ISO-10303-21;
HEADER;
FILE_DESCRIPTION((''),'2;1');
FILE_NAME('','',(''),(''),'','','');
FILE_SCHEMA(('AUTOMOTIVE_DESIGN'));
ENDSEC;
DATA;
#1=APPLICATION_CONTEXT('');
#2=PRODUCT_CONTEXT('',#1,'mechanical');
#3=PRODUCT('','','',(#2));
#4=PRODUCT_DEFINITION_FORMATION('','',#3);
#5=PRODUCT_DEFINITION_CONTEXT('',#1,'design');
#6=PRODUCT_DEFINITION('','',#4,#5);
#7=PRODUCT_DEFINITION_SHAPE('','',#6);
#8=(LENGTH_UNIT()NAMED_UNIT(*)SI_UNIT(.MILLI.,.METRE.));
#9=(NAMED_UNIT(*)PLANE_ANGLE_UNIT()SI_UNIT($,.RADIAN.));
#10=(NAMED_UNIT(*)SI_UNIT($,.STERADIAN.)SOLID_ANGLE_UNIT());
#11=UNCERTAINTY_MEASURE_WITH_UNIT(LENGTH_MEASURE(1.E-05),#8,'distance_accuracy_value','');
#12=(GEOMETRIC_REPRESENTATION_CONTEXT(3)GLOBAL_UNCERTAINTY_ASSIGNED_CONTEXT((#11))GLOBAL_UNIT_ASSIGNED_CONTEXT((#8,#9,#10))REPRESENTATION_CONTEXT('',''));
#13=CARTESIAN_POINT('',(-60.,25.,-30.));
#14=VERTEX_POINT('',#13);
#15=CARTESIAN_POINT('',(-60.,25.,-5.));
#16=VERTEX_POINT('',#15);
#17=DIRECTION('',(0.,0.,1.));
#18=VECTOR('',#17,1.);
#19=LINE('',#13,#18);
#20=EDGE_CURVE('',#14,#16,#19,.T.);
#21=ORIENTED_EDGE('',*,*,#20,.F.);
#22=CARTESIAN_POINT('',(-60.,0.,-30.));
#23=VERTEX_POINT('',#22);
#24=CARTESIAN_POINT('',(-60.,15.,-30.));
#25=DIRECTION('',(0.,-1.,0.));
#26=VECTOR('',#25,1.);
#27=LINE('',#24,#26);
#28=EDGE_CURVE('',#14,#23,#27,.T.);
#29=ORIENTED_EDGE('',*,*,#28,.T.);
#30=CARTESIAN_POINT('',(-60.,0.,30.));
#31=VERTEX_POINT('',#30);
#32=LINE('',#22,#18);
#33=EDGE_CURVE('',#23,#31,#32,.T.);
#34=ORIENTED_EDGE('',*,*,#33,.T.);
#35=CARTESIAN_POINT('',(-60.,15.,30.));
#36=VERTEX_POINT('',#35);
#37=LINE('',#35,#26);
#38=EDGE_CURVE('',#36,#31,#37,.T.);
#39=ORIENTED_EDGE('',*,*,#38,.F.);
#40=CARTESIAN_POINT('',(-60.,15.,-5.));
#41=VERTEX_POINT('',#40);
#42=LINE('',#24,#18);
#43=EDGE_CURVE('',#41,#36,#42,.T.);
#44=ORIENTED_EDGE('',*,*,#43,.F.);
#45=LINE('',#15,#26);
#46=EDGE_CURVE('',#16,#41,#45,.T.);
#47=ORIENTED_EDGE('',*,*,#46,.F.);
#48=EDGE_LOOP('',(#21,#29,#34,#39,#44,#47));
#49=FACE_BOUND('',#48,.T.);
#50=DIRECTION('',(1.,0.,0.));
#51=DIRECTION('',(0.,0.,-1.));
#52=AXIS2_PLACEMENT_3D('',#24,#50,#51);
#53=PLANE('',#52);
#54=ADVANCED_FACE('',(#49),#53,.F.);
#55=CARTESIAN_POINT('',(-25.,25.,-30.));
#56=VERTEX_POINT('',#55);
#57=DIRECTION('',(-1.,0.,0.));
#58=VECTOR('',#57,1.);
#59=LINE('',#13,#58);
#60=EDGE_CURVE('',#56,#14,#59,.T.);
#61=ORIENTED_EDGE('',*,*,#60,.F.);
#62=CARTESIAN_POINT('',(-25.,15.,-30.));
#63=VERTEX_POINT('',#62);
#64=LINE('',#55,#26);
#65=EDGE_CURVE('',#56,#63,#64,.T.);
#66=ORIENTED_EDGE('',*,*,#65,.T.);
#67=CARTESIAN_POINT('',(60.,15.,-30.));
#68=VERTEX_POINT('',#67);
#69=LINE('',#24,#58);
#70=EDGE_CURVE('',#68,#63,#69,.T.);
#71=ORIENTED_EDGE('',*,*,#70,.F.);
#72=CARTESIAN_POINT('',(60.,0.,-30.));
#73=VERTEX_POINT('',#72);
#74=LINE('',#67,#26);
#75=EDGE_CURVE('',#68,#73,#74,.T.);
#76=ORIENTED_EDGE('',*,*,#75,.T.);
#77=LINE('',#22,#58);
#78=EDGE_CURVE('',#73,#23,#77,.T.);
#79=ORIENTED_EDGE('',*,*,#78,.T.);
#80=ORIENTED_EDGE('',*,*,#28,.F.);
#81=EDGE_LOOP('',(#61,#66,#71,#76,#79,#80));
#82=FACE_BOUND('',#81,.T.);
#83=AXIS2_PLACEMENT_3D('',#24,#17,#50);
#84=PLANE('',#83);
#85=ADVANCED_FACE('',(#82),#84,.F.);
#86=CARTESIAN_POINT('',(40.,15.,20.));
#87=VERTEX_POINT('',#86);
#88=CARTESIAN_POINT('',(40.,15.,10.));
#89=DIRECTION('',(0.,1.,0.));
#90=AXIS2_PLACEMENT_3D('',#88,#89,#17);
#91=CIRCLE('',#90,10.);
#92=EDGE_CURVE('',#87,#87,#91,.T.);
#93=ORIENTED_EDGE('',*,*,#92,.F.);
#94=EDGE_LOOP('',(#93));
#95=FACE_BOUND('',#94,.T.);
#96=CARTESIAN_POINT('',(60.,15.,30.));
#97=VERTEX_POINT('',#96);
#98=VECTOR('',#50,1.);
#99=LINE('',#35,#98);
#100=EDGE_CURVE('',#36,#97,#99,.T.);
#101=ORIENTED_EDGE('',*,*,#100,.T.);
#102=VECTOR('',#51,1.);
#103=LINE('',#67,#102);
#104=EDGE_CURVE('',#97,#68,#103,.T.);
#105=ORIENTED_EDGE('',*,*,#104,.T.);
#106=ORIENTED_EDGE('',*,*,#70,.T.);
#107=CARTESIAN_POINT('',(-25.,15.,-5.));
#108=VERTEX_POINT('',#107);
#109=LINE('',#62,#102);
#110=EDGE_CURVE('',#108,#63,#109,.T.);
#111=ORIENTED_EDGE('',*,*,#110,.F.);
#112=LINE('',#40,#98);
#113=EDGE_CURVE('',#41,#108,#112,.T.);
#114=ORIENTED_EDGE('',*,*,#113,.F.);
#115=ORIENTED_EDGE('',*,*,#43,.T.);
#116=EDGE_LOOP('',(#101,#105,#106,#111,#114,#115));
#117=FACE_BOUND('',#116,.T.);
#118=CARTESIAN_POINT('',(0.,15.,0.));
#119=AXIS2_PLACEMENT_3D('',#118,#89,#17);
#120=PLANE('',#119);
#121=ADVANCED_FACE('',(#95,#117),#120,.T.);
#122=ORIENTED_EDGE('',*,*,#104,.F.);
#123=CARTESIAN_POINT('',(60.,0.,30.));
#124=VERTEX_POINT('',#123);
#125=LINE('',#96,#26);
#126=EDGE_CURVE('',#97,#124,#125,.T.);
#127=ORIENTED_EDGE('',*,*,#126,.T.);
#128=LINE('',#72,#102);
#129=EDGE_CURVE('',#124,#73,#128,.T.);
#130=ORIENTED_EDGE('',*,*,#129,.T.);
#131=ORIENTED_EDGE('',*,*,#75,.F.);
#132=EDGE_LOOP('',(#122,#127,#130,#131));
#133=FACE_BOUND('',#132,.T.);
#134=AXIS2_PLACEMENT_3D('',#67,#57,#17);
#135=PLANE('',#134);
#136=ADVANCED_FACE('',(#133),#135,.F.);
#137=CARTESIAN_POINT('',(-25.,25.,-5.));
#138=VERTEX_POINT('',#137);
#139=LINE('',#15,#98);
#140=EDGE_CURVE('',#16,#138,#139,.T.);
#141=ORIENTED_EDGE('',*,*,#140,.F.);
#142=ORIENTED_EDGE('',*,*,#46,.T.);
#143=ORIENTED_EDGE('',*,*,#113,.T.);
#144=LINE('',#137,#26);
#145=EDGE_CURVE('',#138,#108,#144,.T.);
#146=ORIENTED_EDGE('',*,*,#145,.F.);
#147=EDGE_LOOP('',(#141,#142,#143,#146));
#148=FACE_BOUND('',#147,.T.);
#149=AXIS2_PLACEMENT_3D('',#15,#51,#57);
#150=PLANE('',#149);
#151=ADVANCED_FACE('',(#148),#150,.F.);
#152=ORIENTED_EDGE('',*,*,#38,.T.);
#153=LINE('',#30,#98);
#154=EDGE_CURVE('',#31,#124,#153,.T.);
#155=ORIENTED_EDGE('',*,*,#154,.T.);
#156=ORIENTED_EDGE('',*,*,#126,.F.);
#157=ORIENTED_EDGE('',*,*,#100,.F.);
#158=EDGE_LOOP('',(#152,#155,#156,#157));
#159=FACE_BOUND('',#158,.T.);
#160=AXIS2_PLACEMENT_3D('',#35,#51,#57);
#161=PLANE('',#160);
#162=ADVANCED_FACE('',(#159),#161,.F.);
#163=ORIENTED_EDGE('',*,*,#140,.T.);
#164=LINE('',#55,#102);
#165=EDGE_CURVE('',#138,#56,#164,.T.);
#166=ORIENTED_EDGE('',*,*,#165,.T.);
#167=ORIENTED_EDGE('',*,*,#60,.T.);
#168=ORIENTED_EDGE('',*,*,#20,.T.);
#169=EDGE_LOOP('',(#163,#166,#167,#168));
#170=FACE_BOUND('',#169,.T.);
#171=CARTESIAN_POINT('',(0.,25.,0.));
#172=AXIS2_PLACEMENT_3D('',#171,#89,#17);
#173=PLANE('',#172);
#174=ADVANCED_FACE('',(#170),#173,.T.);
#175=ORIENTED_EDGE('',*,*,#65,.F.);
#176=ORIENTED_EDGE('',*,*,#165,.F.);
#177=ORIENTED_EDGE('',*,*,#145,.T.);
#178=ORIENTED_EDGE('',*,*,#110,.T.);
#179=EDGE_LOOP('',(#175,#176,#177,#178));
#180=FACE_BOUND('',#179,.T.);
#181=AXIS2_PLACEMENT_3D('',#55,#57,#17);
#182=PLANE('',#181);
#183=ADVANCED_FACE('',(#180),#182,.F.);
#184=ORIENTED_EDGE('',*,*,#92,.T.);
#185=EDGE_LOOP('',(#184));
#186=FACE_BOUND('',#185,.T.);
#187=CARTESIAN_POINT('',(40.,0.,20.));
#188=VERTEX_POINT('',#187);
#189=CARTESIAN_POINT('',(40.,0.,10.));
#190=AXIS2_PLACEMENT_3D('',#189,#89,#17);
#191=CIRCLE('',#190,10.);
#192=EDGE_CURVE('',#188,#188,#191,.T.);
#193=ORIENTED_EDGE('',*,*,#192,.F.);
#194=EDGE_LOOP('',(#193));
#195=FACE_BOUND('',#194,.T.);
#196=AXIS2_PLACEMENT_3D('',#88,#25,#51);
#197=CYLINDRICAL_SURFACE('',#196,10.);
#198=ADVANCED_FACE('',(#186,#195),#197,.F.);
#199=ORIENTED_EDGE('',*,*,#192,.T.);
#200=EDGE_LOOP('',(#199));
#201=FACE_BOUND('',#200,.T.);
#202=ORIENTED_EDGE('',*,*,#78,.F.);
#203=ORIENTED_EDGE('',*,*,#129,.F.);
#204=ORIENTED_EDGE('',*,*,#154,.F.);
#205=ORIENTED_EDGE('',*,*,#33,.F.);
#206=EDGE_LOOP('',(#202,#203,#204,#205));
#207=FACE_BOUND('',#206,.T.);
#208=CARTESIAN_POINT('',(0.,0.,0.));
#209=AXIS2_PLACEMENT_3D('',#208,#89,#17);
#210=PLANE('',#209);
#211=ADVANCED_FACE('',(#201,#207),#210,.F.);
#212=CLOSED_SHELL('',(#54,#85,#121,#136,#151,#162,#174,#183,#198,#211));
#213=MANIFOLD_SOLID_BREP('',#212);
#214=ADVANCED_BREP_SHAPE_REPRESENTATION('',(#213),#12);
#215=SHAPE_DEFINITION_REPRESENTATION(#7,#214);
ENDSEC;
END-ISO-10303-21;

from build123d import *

# Parameters (mm, degrees)
CROQUIS1_W              = 120
CROQUIS1_H              = 60
CROQUIS1_R              = 10
SALIENTE_EXTRUIR1_DEPTH = 15
CROQUIS2_W              = 35
CROQUIS2_H              = 25
SALIENTE_EXTRUIR2_DEPTH = 10


with BuildPart() as part:
    # Croquis1 → Saliente-Extruir1 (new body)
    with BuildSketch(Plane(origin=(0, 0, 0), x_dir=(1, 0, 0), z_dir=(0, 1, 0))):
        Rectangle(CROQUIS1_W, CROQUIS1_H)
        with Locations(Location((40, -10, 0), (0, 0, 270))):
            Circle(CROQUIS1_R, mode=Mode.SUBTRACT)
    extrude(amount=SALIENTE_EXTRUIR1_DEPTH)

    # Croquis2 → Saliente-Extruir2 (add)
    with BuildSketch(Plane(origin=(0, 15, 0), x_dir=(1, 0, 0), z_dir=(0, 1, 0))):
        with Locations((-42.5, 17.5)):
            Rectangle(CROQUIS2_W, CROQUIS2_H)
    extrude(amount=SALIENTE_EXTRUIR2_DEPTH)


solid = part.part
